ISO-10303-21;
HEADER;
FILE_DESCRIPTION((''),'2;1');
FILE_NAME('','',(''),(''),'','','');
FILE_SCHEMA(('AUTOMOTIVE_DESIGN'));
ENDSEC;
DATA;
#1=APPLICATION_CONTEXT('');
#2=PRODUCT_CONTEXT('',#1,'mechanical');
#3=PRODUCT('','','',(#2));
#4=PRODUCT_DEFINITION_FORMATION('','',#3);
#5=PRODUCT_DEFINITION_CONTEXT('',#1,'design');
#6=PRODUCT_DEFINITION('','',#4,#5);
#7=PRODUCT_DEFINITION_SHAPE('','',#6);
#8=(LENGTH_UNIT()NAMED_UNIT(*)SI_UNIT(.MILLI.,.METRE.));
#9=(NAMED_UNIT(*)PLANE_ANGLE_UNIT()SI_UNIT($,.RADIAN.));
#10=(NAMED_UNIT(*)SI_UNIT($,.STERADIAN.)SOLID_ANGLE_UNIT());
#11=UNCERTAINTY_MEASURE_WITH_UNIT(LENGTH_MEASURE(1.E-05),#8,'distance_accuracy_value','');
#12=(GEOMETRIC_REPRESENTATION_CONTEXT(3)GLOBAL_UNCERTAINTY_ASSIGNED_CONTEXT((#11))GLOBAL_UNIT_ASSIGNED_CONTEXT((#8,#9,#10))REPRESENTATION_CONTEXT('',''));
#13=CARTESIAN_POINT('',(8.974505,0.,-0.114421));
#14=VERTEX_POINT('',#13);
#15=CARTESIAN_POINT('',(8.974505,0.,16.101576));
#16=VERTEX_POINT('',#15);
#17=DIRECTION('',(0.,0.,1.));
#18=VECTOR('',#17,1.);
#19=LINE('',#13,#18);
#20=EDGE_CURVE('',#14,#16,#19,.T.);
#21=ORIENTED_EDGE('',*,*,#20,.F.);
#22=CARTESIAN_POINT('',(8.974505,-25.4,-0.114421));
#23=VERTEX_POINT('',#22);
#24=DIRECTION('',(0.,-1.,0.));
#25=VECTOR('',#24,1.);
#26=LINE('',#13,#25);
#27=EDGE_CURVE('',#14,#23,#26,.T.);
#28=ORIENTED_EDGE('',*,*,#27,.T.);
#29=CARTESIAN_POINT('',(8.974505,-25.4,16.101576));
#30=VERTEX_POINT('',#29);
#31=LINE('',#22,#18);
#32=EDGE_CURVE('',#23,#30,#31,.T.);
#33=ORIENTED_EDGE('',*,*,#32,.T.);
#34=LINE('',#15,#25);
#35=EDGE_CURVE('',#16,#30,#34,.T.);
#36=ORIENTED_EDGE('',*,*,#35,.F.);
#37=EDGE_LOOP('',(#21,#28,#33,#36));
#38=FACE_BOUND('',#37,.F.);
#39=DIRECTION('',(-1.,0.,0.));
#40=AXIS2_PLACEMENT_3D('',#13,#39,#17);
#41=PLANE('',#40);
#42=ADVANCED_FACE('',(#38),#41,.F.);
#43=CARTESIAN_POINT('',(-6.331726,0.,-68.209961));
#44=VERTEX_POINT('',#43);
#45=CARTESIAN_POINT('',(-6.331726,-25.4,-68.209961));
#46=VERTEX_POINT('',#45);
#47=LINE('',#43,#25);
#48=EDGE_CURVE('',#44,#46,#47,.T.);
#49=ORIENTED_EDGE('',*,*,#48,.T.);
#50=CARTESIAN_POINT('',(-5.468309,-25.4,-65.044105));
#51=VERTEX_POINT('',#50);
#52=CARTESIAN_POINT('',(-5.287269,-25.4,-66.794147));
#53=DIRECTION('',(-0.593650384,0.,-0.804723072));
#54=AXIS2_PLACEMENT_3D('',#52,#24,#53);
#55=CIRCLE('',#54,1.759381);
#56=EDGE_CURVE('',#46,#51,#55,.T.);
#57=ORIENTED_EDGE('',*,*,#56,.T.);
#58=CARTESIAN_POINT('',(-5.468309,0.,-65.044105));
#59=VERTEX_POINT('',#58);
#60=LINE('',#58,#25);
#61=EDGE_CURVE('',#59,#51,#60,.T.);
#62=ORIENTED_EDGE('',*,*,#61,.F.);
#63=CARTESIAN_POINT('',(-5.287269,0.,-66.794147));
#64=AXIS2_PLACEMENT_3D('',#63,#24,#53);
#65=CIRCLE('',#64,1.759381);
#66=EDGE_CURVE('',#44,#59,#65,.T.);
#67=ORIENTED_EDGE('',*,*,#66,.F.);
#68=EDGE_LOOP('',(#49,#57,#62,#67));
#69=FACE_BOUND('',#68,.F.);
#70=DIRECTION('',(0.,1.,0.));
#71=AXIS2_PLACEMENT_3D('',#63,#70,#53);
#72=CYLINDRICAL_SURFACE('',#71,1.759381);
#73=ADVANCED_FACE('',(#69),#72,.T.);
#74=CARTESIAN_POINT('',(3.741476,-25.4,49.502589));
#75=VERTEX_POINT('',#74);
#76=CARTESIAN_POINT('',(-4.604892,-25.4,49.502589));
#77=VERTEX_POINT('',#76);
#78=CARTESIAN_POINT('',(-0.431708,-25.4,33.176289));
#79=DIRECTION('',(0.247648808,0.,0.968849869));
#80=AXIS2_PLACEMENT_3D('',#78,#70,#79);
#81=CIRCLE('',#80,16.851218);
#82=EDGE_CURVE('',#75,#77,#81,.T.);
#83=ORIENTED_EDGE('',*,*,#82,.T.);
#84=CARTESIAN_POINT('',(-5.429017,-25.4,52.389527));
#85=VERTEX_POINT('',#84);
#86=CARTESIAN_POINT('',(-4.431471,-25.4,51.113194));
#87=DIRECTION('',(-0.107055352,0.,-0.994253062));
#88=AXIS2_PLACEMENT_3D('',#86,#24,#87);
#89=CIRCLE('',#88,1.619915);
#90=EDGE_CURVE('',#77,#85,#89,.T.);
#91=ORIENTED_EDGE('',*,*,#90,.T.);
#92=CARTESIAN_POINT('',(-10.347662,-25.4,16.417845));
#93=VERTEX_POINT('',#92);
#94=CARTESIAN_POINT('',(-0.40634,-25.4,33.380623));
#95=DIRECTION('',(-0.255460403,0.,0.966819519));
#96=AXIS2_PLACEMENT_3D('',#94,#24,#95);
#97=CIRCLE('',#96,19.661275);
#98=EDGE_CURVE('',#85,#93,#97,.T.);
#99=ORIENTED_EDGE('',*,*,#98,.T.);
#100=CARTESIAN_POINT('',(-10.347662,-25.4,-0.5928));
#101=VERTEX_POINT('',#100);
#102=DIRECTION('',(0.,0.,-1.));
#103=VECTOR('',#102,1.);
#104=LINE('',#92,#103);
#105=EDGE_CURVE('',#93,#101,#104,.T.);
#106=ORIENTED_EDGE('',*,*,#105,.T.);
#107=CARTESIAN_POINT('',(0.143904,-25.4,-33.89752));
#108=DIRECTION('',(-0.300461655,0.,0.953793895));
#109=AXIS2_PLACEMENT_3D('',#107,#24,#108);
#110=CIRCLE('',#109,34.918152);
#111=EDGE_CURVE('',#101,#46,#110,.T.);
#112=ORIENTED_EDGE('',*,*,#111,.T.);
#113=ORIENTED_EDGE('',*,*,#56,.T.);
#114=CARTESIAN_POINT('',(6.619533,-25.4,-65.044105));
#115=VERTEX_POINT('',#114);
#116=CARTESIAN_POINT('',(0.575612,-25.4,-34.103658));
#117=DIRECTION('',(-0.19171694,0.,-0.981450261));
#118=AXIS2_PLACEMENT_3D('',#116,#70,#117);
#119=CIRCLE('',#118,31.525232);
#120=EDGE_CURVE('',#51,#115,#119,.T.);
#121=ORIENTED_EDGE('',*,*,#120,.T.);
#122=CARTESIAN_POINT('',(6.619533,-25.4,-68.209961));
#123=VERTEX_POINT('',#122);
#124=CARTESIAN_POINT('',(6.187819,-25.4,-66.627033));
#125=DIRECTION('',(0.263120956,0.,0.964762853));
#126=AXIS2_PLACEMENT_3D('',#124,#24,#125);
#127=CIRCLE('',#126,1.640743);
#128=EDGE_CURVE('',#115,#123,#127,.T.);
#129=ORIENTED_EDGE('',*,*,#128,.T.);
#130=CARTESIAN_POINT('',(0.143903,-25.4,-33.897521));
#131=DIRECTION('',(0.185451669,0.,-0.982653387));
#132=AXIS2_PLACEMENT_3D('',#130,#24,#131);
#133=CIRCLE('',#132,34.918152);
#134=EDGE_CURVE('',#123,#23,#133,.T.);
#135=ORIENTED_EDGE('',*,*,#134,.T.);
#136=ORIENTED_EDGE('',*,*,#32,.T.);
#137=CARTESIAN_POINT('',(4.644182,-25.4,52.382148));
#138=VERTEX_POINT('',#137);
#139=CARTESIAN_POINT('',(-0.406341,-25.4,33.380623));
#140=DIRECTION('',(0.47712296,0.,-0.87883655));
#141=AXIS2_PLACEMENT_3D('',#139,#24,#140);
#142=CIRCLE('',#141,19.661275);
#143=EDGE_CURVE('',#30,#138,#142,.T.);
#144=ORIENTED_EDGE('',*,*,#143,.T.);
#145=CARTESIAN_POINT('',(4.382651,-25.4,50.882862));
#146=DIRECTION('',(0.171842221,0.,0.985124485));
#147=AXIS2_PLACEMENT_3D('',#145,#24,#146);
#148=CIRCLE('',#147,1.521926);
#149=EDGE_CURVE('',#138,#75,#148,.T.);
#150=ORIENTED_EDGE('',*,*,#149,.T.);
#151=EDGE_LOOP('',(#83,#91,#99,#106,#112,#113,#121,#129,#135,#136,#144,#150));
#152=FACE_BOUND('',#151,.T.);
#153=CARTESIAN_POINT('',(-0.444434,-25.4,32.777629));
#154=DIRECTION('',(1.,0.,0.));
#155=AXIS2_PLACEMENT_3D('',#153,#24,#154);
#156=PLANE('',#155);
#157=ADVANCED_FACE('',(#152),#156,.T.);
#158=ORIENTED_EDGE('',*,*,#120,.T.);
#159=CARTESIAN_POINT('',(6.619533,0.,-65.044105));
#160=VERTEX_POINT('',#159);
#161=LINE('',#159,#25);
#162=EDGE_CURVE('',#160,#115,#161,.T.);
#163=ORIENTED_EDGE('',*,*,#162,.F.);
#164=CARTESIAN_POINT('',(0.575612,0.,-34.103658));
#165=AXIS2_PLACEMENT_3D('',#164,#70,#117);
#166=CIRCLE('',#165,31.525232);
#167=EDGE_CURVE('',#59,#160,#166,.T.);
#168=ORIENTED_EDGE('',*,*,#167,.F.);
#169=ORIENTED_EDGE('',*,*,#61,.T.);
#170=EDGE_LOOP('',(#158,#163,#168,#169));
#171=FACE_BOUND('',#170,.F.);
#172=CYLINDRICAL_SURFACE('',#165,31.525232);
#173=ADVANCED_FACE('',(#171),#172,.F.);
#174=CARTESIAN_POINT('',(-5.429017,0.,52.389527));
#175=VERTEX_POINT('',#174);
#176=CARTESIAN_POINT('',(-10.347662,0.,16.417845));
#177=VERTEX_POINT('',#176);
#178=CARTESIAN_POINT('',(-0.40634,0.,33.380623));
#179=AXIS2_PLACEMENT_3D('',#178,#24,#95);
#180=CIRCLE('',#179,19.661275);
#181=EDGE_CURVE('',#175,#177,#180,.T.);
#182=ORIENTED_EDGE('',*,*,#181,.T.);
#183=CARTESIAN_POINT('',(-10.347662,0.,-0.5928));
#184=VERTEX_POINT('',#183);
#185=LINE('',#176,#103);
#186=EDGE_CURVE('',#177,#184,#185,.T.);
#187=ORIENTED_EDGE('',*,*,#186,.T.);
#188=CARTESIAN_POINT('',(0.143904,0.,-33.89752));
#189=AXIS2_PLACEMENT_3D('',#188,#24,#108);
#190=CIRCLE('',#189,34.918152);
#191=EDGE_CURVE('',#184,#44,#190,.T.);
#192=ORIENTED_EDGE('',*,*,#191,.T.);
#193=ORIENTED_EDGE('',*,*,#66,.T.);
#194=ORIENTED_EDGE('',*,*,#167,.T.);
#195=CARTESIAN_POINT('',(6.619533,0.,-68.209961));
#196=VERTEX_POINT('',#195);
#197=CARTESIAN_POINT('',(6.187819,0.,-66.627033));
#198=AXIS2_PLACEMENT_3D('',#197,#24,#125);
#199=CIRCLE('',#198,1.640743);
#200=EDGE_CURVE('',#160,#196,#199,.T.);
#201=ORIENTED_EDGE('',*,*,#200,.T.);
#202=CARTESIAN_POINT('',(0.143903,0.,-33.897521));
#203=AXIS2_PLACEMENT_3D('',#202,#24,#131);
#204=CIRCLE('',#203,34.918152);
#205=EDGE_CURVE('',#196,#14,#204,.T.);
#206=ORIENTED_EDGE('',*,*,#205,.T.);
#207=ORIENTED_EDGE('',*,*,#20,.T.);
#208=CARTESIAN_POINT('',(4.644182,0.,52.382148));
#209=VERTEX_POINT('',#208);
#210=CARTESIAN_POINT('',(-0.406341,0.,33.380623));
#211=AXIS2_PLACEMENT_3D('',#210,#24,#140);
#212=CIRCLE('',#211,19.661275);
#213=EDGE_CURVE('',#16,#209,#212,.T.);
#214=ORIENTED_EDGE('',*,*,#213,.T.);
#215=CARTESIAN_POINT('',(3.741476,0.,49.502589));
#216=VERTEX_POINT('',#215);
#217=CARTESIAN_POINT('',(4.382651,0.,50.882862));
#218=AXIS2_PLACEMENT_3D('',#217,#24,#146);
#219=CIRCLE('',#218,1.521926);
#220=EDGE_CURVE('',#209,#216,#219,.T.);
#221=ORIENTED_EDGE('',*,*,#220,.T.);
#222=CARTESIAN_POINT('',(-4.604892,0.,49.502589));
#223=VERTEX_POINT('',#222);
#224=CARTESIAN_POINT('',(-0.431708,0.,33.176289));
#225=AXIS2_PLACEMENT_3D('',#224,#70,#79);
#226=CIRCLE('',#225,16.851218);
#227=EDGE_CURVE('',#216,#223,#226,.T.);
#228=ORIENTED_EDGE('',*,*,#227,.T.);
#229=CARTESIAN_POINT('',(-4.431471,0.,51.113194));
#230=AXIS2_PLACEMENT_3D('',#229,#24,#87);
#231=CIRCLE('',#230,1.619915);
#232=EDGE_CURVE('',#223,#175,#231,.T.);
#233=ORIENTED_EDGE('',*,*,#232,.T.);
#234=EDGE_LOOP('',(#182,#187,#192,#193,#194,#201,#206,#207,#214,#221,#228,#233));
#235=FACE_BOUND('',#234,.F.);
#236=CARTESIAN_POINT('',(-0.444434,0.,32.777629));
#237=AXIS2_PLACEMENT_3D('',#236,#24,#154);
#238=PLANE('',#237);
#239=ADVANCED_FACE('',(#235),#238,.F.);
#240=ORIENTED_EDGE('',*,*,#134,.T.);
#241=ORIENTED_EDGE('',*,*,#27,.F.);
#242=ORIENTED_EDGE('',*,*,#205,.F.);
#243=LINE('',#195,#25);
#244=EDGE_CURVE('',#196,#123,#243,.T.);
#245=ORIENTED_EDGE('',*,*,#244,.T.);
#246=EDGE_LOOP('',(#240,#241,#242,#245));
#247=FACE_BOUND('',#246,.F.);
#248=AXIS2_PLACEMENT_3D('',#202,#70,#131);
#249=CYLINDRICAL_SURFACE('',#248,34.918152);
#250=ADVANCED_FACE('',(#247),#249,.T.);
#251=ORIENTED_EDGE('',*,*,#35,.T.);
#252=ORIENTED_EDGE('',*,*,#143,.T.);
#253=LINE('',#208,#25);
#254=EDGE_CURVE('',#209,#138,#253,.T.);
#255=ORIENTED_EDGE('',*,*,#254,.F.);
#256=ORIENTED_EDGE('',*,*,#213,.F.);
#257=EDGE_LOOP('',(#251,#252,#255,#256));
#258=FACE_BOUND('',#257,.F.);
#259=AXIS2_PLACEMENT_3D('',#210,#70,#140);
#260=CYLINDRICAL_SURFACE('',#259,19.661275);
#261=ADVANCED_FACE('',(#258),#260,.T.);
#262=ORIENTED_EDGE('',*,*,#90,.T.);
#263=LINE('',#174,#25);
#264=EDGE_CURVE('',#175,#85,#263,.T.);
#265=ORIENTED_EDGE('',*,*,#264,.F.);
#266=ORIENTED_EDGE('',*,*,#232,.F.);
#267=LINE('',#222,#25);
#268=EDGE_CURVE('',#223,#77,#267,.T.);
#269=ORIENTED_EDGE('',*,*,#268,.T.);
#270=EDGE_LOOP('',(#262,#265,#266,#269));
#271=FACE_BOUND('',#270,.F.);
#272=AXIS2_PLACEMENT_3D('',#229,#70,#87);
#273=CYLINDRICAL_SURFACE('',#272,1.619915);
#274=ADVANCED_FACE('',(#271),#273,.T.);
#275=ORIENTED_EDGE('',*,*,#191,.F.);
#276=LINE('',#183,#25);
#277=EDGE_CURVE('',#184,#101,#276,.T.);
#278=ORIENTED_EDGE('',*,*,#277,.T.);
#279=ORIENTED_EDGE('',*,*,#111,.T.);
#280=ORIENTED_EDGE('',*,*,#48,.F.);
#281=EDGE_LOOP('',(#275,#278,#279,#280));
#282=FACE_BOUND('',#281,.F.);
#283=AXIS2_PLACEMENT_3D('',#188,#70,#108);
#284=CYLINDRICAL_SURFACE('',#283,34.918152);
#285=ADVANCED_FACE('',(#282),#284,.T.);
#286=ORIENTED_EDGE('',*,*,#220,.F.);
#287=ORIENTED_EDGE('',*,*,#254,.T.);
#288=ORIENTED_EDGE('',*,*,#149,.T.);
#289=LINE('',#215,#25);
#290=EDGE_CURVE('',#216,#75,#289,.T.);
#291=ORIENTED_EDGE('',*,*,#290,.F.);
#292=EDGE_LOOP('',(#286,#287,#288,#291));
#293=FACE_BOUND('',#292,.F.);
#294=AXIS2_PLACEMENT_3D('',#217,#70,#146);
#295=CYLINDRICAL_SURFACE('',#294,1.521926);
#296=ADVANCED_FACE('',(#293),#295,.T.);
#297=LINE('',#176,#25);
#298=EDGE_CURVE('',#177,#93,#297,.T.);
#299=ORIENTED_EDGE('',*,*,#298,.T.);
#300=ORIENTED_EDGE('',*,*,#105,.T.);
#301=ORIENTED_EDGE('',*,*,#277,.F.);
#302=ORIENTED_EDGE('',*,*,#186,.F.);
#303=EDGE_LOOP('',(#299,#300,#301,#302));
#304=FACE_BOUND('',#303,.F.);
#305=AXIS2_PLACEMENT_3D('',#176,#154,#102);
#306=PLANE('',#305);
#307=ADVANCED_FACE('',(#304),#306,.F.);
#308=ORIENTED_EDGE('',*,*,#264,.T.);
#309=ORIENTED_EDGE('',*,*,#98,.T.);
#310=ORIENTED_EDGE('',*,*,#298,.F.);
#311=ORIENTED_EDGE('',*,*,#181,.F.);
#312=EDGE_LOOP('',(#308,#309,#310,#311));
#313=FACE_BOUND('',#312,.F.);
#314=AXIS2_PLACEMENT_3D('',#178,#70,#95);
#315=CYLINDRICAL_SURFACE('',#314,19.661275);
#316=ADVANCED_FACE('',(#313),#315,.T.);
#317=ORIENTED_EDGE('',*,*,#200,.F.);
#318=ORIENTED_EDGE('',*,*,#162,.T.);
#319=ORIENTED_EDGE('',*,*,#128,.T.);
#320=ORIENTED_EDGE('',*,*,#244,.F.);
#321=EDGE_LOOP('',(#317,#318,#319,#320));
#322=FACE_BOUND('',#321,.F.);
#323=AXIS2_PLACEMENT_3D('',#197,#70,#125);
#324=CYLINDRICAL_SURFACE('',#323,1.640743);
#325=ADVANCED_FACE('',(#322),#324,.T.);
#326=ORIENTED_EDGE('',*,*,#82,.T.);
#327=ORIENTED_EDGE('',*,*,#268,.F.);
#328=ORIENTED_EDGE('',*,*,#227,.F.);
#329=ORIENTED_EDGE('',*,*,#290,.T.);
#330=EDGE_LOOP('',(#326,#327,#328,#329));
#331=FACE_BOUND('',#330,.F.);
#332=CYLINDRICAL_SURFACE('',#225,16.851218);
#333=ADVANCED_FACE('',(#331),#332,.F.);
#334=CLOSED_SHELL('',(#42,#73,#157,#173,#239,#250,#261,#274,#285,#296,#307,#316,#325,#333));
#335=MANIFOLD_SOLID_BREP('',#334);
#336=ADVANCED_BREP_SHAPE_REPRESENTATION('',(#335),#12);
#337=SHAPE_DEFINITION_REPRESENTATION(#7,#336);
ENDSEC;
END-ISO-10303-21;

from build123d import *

# Parameters (mm, degrees)
F1_DEPTH = 25.4


with BuildPart() as f1:
    # F0 (on Front) → F1 (new body)
    with BuildSketch(Plane.XZ):
        with BuildLine():
            ThreePointArc((-4.604892, 49.502589), (-2.873783, 51.557862), (-5.429017, 52.389527))
            ThreePointArc((-5.429017, 52.389527), (-19.88635, 36.044253), (-10.347662, 16.417845))
            ThreePointArc((-10.347662, 16.417845), (-0.728117, 13.721982), (8.974505, 16.101576))
            ThreePointArc((8.974505, 16.101576), (19.116366, 35.710785), (4.644182, 52.382148))
            ThreePointArc((4.644182, 52.382148), (2.930412, 51.33812), (3.741476, 49.502589))
            ThreePointArc((3.741476, 49.502589), (-0.431708, 16.325071), (-4.604892, 49.502589))
        make_face()
        with BuildLine():
            ThreePointArc((8.974505, 16.101576), (-0.728117, 13.721982), (-10.347662, 16.417845))
            Line((-10.347662, 16.417845), (-10.347662, 0))
            Line((-10.347662, 0), (-10.347662, -0.5928))
            ThreePointArc((-10.347662, -0.5928), (-0.720338, 1.009935), (8.974505, -0.114421))
            Line((8.974505, -0.114421), (8.974505, 0))
            Line((8.974505, 0), (8.974505, 16.101576))
        make_face()
        with BuildLine():
            ThreePointArc((8.974505, -0.114421), (-0.720338, 1.009935), (-10.347662, -0.5928))
            ThreePointArc((-10.347662, -0.5928), (-34.712825, -35.967741), (-6.331726, -68.209961))
            ThreePointArc((-6.331726, -68.209961), (-3.589882, -67.257071), (-5.468309, -65.044105))
            ThreePointArc((-5.468309, -65.044105), (0.575612, -2.578426), (6.619533, -65.044105))
            ThreePointArc((6.619533, -65.044105), (4.547076, -66.627033), (6.619533, -68.209961))
            ThreePointArc((6.619533, -68.209961), (35.041193, -35.104386), (8.974505, -0.114421))
        make_face()
    extrude(amount=F1_DEPTH)


solid = f1.part
